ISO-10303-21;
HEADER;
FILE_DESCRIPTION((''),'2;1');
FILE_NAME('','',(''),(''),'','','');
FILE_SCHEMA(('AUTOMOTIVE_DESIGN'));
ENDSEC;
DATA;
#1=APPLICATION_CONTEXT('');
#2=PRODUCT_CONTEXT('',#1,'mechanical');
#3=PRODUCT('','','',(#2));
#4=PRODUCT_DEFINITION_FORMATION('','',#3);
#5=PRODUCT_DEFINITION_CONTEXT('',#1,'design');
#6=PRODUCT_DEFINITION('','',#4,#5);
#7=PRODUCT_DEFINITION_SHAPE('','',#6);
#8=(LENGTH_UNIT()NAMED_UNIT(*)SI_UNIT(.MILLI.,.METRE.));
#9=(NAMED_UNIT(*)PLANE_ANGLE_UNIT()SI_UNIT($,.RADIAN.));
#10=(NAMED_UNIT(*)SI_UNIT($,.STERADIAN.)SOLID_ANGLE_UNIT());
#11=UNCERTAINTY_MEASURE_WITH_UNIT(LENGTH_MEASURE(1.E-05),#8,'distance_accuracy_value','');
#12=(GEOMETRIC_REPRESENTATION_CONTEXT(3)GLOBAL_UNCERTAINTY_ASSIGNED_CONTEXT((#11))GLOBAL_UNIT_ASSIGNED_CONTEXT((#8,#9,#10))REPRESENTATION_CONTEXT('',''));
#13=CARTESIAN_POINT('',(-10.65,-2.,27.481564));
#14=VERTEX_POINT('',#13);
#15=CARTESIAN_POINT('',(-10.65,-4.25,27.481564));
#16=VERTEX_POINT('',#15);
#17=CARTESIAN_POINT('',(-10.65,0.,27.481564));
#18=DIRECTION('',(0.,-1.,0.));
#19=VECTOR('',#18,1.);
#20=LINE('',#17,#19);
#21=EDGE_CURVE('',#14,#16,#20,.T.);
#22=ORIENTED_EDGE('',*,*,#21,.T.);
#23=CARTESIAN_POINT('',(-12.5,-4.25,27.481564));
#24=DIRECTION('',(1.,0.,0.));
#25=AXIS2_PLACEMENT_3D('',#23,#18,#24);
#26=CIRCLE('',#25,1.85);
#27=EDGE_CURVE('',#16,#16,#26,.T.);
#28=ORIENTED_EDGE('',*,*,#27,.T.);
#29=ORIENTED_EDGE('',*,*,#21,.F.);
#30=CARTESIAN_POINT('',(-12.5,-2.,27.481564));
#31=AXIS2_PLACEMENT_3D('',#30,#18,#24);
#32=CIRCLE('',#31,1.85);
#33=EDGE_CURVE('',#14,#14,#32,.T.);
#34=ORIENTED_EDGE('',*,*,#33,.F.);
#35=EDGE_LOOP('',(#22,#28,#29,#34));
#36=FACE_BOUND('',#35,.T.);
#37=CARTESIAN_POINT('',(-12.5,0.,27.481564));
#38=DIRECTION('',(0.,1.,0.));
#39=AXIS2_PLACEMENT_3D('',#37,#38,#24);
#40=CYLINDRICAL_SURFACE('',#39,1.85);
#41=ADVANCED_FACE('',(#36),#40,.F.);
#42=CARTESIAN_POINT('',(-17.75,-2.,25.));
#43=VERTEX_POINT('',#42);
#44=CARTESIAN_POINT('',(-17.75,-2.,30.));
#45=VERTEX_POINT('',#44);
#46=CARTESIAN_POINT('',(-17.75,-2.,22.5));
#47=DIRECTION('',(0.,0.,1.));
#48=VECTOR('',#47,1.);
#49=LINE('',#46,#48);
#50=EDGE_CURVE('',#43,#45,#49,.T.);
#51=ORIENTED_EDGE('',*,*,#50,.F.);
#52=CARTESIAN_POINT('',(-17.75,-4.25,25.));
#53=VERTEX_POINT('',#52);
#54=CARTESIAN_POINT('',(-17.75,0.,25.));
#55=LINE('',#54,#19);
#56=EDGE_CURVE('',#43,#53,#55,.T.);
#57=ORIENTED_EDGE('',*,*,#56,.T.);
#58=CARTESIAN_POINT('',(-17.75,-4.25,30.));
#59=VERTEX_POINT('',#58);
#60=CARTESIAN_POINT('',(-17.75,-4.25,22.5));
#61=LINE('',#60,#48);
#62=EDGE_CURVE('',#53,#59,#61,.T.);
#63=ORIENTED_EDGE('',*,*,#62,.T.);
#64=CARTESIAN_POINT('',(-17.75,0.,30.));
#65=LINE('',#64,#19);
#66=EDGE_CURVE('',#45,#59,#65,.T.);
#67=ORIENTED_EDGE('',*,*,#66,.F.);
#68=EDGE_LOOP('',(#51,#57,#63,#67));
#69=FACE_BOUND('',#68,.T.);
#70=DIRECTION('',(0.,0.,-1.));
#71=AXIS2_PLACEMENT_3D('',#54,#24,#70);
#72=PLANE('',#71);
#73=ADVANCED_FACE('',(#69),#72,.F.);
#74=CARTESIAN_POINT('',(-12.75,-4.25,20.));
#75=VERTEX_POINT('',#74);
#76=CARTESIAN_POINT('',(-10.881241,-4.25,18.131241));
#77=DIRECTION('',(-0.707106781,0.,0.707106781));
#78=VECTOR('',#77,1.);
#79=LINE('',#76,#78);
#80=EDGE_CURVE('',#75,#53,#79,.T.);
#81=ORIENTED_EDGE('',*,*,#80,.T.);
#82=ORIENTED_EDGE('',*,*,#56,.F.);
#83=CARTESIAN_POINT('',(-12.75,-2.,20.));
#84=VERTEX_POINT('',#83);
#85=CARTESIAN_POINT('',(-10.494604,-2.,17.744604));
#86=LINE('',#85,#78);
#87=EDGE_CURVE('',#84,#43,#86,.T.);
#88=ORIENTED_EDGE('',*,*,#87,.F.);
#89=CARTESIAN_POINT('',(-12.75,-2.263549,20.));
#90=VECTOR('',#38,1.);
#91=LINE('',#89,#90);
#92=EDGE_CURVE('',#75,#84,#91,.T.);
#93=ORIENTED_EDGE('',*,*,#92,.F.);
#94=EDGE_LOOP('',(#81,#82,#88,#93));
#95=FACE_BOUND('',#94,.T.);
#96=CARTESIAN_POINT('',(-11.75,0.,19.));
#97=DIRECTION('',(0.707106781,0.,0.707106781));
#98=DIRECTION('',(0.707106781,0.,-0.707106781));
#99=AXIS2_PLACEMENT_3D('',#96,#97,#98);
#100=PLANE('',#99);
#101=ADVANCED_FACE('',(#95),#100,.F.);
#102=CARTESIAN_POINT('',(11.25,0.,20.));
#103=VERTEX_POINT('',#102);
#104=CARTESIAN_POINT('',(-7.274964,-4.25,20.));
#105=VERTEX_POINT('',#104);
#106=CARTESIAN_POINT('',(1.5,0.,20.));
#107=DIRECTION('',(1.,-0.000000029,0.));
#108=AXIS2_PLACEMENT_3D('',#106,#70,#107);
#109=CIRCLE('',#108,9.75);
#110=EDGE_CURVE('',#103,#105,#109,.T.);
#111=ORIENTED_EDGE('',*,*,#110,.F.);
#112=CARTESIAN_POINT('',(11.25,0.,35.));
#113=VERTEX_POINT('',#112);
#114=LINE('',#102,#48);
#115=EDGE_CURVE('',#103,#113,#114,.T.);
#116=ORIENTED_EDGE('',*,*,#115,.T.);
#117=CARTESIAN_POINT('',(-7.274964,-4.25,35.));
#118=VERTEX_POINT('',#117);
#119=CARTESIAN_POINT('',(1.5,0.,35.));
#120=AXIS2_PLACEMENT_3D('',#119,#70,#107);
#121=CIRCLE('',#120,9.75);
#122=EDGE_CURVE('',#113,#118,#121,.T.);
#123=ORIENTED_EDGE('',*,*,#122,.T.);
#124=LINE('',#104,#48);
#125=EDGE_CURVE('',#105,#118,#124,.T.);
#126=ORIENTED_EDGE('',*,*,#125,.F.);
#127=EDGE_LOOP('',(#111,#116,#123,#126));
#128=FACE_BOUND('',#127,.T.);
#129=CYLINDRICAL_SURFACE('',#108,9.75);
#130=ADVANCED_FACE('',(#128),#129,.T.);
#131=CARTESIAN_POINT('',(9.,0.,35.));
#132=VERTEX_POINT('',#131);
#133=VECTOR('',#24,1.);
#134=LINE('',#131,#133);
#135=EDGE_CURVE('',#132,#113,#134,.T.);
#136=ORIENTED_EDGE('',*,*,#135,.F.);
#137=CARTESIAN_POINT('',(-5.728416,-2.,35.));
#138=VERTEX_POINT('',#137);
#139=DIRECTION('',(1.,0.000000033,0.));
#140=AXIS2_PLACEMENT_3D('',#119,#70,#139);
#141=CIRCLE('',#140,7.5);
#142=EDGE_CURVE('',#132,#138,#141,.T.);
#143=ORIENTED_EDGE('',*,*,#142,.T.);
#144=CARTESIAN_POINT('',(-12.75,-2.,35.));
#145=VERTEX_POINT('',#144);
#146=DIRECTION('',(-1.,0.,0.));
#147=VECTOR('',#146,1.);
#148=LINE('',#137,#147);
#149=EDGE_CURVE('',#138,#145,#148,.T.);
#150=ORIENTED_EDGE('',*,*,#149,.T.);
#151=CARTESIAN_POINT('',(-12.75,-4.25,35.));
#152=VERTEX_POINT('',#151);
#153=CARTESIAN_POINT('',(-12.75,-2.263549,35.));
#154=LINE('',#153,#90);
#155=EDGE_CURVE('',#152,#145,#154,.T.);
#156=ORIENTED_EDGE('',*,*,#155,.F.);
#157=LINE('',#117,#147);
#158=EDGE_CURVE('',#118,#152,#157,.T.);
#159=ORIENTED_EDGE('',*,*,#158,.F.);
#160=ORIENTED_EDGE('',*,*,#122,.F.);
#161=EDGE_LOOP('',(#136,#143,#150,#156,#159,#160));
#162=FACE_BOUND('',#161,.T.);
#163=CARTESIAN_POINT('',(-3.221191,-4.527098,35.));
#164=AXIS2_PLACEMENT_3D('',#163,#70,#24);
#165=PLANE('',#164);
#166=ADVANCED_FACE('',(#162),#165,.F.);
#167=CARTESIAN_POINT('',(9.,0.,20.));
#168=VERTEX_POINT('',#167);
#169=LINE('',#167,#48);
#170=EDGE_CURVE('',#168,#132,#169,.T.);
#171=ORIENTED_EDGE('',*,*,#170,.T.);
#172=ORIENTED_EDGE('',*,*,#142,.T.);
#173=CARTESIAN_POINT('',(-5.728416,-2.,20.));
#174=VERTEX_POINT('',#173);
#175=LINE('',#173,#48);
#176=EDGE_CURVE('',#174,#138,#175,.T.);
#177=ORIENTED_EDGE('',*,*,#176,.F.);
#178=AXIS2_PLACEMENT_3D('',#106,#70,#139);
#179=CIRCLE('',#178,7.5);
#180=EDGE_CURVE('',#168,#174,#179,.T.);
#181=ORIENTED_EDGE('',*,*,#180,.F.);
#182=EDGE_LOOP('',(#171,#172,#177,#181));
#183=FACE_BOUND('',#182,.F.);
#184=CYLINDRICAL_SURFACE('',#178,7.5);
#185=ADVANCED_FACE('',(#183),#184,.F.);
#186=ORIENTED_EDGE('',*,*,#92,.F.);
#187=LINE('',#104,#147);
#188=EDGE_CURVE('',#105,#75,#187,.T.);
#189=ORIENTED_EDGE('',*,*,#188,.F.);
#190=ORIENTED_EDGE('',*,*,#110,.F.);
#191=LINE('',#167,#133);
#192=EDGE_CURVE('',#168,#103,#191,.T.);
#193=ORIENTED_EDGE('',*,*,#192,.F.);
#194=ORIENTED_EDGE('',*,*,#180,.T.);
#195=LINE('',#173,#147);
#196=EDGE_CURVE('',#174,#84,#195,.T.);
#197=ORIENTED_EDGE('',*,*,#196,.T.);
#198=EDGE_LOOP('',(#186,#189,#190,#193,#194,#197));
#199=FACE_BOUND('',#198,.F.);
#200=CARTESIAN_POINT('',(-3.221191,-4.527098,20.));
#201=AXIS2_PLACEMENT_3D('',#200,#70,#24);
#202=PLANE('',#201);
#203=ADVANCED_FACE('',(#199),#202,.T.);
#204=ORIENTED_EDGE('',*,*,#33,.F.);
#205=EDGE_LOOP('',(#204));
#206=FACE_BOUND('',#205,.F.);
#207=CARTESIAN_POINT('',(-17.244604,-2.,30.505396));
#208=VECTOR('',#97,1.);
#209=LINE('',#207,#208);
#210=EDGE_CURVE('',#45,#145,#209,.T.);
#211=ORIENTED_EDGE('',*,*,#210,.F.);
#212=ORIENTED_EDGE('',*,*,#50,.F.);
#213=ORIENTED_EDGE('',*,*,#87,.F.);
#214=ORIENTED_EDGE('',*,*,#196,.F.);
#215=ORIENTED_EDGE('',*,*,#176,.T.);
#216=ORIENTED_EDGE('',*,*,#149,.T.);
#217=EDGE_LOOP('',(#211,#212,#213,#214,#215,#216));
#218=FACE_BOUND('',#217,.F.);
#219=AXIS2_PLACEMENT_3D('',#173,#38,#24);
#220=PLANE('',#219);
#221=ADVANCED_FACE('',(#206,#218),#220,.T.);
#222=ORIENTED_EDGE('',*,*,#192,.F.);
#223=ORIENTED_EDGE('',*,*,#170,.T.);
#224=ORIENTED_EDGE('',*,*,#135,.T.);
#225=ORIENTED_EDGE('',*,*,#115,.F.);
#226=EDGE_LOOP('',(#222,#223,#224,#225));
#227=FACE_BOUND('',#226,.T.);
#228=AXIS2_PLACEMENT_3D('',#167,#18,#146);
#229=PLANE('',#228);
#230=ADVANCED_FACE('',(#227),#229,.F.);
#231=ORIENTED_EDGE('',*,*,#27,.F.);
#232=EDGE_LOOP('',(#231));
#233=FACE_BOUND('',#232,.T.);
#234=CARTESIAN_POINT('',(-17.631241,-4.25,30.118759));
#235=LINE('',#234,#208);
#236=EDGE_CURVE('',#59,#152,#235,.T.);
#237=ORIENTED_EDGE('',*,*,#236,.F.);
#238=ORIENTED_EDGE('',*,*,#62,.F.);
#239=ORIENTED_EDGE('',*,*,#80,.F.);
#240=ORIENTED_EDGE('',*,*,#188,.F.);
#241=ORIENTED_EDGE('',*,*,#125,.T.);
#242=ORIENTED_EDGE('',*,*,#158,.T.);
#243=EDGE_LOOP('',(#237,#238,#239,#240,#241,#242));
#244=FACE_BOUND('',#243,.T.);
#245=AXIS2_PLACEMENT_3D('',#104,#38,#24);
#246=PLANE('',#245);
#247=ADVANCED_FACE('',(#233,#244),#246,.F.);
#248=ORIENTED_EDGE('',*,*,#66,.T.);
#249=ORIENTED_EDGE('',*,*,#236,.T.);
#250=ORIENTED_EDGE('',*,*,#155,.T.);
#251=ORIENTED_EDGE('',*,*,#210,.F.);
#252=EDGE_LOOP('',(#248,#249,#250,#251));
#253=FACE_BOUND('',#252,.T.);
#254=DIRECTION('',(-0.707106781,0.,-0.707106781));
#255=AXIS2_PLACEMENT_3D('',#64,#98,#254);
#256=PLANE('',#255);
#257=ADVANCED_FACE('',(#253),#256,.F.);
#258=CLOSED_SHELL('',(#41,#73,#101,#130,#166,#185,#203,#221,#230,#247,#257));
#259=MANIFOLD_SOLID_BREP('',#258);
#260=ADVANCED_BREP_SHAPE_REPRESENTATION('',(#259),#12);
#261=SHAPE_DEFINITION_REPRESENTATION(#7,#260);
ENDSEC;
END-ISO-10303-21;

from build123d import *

# Parameters (mm, degrees)
SKETCH016_R       = 1.85
EXTRUDE013_DEPTH  = 12
CYLINDER007_R     = 5
CYLINDER007_DEPTH = 1
EXTRUDE012_DEPTH  = 15


with BuildPart() as extrude013:
    # Sketch016 → Extrude013 (new body)
    with BuildSketch(Plane.XZ):
        Polygon((11.75, 36), (11.75, 19), (-13.25, 19), (-19.25, 25), (-19.25, 30), (-13.25, 36), align=None)
        with Locations((-14, 27.481564)):
            Circle(SKETCH016_R, mode=Mode.SUBTRACT)
    extrude(amount=-EXTRUDE013_DEPTH)


with BuildPart() as unprintable:
    # Cylinder007 → Cylinder007 (new body)
    with BuildSketch(Plane(origin=(-14, 18, 27.5), x_dir=(1, 0, 0), z_dir=(0, -1, 0))):
        Circle(CYLINDER007_R)
    extrude(amount=CYLINDER007_DEPTH)


with BuildPart() as body007:
    # Sketch015 → Extrude012 (new body)
    with BuildSketch(Plane.XY.offset(50)):
        with BuildLine():
            ThreePointArc((7.5, 0), (1.009178, 7.431794), (-7.228416, 2))
            Line((-7.228416, 2), (-21.228416, 2))
            Line((-21.228416, 4.25), (-21.228416, 2))
            Line((-8.774964, 4.25), (-21.228416, 4.25))
            ThreePointArc((9.75, 0), (2.180206, 9.503115), (-8.774964, 4.25))
            Line((7.5, 0), (9.75, 0))
        make_face()
    extrude(amount=EXTRUDE012_DEPTH)


with BuildPart() as body007_1:
    # Extrude012 placement: moved
    add(body007.part.moved(Location((0, 0, -30))))

    # Fusion016: union unprintable
    add(unprintable.part)

    # Common001: intersect Extrude013
    add(extrude013.part, mode=Mode.INTERSECT)


with BuildPart() as body007_2:
    # Common001 placement: moved
    add(body007_1.part.moved(Location((1.5, 0, 0))))


with BuildPart() as body007_3:
    # Clone007 placement: moved
    add(body007_2.part.moved(Location((-1.5, 0, 0))))


with BuildPart() as part_mirroring008:
    # Part__Mirroring008: instance of Body007
    add(body007_3.part.mirror(Plane(origin=(0, 0, 0), x_dir=(1, 0, 0), z_dir=(0, 1, 0))))


with BuildPart() as part_mirroring008_1:
    # Part__Mirroring008 placement: moved
    add(part_mirroring008.part.moved(Location((1.5, 0, 0))))


solid = part_mirroring008_1.part
